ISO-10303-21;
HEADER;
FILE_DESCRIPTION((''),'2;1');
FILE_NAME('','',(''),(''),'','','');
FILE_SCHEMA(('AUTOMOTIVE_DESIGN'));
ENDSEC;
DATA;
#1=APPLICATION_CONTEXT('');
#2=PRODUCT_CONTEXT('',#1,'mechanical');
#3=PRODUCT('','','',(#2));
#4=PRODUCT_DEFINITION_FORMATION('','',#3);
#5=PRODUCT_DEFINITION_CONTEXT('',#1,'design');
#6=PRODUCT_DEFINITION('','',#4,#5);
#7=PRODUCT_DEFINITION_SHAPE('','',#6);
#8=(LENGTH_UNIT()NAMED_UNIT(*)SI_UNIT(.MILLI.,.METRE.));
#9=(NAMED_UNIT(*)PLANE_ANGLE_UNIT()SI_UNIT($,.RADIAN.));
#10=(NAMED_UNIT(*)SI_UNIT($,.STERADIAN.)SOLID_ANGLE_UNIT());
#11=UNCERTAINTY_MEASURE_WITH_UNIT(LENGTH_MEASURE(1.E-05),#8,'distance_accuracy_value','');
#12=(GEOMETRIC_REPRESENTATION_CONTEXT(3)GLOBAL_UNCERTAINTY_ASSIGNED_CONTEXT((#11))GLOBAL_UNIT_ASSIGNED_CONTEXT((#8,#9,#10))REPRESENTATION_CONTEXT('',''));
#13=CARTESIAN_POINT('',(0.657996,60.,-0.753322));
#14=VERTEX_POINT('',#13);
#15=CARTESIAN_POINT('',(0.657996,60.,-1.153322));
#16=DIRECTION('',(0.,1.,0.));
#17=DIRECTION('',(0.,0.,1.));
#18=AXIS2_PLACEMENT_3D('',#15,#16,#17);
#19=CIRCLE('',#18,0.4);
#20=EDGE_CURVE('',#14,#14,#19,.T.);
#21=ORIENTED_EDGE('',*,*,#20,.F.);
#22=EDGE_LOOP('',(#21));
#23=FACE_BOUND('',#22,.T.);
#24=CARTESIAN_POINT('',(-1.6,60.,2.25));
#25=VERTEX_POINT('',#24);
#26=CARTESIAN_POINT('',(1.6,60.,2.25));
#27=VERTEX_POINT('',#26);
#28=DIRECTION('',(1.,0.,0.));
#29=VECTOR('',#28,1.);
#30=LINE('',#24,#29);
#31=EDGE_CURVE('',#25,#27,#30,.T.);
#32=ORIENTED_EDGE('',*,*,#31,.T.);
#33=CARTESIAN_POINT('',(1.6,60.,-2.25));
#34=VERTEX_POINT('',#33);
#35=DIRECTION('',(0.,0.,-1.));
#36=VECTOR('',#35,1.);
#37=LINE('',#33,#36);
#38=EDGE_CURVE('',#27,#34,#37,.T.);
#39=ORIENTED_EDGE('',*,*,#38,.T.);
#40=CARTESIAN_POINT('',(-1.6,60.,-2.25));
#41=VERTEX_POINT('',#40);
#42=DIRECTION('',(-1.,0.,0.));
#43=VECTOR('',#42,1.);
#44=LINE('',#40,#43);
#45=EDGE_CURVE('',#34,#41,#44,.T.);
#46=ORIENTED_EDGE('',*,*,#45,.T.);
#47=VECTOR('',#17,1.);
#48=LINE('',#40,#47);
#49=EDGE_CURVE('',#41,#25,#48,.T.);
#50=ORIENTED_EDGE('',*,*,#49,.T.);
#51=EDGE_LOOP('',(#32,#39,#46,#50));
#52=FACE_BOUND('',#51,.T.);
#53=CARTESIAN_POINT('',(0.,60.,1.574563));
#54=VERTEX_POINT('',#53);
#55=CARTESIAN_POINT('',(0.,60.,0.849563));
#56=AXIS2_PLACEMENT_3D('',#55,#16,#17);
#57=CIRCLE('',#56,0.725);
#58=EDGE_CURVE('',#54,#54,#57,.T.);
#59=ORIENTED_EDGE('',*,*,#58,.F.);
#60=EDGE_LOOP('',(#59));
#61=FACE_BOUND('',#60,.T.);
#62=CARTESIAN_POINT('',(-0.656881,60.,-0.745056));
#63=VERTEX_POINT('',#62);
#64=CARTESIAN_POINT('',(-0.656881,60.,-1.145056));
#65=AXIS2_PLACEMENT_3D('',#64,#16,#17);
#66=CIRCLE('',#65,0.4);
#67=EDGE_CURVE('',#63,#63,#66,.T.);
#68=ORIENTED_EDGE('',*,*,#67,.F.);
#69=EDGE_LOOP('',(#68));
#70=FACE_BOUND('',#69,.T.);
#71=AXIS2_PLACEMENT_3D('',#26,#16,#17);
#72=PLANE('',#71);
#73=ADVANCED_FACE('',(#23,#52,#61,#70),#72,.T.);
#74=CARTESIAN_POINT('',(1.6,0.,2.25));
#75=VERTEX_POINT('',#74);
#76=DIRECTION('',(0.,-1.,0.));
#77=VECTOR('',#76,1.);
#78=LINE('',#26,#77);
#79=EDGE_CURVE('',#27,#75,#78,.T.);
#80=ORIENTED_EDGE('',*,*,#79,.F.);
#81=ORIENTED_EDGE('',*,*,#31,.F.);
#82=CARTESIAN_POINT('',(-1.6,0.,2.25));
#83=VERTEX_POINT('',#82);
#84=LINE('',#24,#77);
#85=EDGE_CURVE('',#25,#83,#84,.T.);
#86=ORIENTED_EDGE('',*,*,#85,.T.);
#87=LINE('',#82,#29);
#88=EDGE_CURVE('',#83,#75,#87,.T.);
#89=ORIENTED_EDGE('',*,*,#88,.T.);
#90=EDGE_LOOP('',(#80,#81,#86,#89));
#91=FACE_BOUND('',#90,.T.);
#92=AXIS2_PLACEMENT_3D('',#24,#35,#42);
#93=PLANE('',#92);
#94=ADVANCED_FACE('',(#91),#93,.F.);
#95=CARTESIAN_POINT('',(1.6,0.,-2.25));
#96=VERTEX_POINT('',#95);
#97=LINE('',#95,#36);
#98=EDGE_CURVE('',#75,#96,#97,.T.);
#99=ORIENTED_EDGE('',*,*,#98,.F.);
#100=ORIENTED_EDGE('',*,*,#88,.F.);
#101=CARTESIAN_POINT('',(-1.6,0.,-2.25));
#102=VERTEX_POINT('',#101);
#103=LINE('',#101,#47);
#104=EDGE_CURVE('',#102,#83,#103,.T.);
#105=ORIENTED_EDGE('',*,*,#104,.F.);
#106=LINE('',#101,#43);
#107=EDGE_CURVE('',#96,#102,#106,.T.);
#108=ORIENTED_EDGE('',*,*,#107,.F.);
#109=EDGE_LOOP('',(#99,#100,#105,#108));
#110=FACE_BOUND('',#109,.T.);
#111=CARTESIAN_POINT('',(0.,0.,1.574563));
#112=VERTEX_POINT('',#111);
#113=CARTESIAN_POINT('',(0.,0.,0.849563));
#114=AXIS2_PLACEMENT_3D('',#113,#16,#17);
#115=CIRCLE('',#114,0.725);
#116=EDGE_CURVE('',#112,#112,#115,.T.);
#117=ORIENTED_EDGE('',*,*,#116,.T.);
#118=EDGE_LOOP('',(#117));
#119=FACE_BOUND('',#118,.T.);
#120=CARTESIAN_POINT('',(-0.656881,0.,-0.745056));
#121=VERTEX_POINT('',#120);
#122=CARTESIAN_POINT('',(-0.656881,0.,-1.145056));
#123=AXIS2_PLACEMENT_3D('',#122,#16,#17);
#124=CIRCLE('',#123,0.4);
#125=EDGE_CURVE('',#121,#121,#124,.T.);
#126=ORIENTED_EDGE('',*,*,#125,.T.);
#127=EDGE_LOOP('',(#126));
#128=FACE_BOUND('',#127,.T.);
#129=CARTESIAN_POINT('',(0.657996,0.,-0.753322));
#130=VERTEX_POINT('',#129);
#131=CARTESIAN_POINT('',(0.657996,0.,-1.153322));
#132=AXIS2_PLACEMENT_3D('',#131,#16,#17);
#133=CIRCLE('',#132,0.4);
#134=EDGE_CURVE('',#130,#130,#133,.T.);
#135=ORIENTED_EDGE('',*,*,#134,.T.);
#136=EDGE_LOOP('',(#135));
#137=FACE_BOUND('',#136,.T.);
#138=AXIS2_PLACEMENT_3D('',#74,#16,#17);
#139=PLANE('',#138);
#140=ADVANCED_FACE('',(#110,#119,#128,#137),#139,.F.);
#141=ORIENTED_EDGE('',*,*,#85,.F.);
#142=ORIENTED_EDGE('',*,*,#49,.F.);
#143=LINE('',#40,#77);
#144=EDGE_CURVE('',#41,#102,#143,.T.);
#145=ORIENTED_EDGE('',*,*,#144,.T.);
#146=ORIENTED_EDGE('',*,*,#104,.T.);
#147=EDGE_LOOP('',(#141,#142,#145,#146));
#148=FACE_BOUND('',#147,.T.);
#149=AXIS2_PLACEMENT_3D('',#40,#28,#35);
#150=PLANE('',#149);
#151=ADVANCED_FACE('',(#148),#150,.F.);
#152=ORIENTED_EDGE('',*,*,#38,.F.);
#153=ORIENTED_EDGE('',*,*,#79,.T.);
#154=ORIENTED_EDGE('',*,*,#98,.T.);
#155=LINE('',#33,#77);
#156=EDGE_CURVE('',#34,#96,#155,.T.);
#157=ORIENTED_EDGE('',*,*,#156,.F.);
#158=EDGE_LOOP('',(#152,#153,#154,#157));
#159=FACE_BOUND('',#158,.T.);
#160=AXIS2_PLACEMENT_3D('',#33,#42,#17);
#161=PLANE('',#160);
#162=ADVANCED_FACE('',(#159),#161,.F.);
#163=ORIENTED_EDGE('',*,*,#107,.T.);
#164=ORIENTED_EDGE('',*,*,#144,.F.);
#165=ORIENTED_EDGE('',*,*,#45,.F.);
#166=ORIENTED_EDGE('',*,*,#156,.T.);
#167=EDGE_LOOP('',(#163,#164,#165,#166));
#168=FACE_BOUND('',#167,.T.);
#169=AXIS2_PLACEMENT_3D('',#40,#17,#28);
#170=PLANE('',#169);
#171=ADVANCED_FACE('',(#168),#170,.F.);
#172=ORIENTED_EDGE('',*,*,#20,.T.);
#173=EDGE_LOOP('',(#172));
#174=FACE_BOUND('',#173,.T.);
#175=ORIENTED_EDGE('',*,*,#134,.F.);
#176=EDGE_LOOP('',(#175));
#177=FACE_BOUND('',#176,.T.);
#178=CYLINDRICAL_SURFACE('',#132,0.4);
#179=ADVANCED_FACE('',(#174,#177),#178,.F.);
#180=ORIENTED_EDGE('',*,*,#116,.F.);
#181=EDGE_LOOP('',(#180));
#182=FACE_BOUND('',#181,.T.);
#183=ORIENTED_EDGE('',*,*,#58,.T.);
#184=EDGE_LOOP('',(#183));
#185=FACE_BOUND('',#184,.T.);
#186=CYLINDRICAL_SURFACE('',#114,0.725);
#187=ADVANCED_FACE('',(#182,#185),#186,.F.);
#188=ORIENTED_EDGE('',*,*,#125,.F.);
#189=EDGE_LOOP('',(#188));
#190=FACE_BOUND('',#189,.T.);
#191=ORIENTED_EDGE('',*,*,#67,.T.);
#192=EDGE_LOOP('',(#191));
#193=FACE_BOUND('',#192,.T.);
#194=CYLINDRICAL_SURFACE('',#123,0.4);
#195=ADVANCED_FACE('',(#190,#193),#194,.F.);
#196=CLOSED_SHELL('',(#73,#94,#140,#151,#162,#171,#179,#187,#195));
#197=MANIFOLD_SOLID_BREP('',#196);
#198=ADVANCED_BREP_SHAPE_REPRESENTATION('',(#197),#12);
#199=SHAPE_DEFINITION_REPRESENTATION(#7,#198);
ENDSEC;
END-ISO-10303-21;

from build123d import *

# Parameters (mm, degrees)
SKETCH2_W           = 3.2
SKETCH2_H           = 4.5
BOSS_EXTRUDE1_DEPTH = 59.999999888
SKETCH5_R           = 0.724999947
CUT_EXTRUDE1_DEPTH  = 60.999999888
SKETCH6_R           = 0.399999962
CUT_EXTRUDE2_DEPTH  = 60.999999888
SKETCH7_R           = 0.4
CUT_EXTRUDE3_DEPTH  = 60.999999888


with BuildPart() as part:
    # Sketch2 → Boss-Extrude1 (new body)
    with BuildSketch(Plane(origin=(0, 0, 0), x_dir=(1, 0, 0), z_dir=(0, 1, 0))):
        Rectangle(SKETCH2_W, SKETCH2_H)
    extrude(amount=BOSS_EXTRUDE1_DEPTH)

    # Sketch5 → Cut-Extrude1 (cut, through all)
    with BuildSketch(Plane(origin=(0, 59.999999888, 0), x_dir=(-1, 0, 0), z_dir=(0, 1, 0))):
        with Locations(Location((0, 0.849563353, 0), (0, 0, 90))):  # turned: the seam where the file's is
            Circle(SKETCH5_R)
    extrude(amount=-CUT_EXTRUDE1_DEPTH, mode=Mode.SUBTRACT)

    # Sketch6 → Cut-Extrude2 (cut, through all)
    with BuildSketch(Plane(origin=(0, 59.999999888, 0), x_dir=(-1, 0, 0), z_dir=(0, 1, 0))):
        with Locations(Location((0.656880529, -1.145056402, 0), (0, 0, 90))):  # turned: the seam where the file's is
            Circle(SKETCH6_R)
    extrude(amount=-CUT_EXTRUDE2_DEPTH, mode=Mode.SUBTRACT)

    # Sketch7 → Cut-Extrude3 (cut, through all)
    with BuildSketch(Plane(origin=(0, 59.999999888, 0), x_dir=(-1, 0, 0), z_dir=(0, 1, 0))):
        with Locations(Location((-0.657995536, -1.153321844, 0), (0, 0, 90))):  # turned: the seam where the file's is
            Circle(SKETCH7_R)
    extrude(amount=-CUT_EXTRUDE3_DEPTH, mode=Mode.SUBTRACT)


solid = part.part
